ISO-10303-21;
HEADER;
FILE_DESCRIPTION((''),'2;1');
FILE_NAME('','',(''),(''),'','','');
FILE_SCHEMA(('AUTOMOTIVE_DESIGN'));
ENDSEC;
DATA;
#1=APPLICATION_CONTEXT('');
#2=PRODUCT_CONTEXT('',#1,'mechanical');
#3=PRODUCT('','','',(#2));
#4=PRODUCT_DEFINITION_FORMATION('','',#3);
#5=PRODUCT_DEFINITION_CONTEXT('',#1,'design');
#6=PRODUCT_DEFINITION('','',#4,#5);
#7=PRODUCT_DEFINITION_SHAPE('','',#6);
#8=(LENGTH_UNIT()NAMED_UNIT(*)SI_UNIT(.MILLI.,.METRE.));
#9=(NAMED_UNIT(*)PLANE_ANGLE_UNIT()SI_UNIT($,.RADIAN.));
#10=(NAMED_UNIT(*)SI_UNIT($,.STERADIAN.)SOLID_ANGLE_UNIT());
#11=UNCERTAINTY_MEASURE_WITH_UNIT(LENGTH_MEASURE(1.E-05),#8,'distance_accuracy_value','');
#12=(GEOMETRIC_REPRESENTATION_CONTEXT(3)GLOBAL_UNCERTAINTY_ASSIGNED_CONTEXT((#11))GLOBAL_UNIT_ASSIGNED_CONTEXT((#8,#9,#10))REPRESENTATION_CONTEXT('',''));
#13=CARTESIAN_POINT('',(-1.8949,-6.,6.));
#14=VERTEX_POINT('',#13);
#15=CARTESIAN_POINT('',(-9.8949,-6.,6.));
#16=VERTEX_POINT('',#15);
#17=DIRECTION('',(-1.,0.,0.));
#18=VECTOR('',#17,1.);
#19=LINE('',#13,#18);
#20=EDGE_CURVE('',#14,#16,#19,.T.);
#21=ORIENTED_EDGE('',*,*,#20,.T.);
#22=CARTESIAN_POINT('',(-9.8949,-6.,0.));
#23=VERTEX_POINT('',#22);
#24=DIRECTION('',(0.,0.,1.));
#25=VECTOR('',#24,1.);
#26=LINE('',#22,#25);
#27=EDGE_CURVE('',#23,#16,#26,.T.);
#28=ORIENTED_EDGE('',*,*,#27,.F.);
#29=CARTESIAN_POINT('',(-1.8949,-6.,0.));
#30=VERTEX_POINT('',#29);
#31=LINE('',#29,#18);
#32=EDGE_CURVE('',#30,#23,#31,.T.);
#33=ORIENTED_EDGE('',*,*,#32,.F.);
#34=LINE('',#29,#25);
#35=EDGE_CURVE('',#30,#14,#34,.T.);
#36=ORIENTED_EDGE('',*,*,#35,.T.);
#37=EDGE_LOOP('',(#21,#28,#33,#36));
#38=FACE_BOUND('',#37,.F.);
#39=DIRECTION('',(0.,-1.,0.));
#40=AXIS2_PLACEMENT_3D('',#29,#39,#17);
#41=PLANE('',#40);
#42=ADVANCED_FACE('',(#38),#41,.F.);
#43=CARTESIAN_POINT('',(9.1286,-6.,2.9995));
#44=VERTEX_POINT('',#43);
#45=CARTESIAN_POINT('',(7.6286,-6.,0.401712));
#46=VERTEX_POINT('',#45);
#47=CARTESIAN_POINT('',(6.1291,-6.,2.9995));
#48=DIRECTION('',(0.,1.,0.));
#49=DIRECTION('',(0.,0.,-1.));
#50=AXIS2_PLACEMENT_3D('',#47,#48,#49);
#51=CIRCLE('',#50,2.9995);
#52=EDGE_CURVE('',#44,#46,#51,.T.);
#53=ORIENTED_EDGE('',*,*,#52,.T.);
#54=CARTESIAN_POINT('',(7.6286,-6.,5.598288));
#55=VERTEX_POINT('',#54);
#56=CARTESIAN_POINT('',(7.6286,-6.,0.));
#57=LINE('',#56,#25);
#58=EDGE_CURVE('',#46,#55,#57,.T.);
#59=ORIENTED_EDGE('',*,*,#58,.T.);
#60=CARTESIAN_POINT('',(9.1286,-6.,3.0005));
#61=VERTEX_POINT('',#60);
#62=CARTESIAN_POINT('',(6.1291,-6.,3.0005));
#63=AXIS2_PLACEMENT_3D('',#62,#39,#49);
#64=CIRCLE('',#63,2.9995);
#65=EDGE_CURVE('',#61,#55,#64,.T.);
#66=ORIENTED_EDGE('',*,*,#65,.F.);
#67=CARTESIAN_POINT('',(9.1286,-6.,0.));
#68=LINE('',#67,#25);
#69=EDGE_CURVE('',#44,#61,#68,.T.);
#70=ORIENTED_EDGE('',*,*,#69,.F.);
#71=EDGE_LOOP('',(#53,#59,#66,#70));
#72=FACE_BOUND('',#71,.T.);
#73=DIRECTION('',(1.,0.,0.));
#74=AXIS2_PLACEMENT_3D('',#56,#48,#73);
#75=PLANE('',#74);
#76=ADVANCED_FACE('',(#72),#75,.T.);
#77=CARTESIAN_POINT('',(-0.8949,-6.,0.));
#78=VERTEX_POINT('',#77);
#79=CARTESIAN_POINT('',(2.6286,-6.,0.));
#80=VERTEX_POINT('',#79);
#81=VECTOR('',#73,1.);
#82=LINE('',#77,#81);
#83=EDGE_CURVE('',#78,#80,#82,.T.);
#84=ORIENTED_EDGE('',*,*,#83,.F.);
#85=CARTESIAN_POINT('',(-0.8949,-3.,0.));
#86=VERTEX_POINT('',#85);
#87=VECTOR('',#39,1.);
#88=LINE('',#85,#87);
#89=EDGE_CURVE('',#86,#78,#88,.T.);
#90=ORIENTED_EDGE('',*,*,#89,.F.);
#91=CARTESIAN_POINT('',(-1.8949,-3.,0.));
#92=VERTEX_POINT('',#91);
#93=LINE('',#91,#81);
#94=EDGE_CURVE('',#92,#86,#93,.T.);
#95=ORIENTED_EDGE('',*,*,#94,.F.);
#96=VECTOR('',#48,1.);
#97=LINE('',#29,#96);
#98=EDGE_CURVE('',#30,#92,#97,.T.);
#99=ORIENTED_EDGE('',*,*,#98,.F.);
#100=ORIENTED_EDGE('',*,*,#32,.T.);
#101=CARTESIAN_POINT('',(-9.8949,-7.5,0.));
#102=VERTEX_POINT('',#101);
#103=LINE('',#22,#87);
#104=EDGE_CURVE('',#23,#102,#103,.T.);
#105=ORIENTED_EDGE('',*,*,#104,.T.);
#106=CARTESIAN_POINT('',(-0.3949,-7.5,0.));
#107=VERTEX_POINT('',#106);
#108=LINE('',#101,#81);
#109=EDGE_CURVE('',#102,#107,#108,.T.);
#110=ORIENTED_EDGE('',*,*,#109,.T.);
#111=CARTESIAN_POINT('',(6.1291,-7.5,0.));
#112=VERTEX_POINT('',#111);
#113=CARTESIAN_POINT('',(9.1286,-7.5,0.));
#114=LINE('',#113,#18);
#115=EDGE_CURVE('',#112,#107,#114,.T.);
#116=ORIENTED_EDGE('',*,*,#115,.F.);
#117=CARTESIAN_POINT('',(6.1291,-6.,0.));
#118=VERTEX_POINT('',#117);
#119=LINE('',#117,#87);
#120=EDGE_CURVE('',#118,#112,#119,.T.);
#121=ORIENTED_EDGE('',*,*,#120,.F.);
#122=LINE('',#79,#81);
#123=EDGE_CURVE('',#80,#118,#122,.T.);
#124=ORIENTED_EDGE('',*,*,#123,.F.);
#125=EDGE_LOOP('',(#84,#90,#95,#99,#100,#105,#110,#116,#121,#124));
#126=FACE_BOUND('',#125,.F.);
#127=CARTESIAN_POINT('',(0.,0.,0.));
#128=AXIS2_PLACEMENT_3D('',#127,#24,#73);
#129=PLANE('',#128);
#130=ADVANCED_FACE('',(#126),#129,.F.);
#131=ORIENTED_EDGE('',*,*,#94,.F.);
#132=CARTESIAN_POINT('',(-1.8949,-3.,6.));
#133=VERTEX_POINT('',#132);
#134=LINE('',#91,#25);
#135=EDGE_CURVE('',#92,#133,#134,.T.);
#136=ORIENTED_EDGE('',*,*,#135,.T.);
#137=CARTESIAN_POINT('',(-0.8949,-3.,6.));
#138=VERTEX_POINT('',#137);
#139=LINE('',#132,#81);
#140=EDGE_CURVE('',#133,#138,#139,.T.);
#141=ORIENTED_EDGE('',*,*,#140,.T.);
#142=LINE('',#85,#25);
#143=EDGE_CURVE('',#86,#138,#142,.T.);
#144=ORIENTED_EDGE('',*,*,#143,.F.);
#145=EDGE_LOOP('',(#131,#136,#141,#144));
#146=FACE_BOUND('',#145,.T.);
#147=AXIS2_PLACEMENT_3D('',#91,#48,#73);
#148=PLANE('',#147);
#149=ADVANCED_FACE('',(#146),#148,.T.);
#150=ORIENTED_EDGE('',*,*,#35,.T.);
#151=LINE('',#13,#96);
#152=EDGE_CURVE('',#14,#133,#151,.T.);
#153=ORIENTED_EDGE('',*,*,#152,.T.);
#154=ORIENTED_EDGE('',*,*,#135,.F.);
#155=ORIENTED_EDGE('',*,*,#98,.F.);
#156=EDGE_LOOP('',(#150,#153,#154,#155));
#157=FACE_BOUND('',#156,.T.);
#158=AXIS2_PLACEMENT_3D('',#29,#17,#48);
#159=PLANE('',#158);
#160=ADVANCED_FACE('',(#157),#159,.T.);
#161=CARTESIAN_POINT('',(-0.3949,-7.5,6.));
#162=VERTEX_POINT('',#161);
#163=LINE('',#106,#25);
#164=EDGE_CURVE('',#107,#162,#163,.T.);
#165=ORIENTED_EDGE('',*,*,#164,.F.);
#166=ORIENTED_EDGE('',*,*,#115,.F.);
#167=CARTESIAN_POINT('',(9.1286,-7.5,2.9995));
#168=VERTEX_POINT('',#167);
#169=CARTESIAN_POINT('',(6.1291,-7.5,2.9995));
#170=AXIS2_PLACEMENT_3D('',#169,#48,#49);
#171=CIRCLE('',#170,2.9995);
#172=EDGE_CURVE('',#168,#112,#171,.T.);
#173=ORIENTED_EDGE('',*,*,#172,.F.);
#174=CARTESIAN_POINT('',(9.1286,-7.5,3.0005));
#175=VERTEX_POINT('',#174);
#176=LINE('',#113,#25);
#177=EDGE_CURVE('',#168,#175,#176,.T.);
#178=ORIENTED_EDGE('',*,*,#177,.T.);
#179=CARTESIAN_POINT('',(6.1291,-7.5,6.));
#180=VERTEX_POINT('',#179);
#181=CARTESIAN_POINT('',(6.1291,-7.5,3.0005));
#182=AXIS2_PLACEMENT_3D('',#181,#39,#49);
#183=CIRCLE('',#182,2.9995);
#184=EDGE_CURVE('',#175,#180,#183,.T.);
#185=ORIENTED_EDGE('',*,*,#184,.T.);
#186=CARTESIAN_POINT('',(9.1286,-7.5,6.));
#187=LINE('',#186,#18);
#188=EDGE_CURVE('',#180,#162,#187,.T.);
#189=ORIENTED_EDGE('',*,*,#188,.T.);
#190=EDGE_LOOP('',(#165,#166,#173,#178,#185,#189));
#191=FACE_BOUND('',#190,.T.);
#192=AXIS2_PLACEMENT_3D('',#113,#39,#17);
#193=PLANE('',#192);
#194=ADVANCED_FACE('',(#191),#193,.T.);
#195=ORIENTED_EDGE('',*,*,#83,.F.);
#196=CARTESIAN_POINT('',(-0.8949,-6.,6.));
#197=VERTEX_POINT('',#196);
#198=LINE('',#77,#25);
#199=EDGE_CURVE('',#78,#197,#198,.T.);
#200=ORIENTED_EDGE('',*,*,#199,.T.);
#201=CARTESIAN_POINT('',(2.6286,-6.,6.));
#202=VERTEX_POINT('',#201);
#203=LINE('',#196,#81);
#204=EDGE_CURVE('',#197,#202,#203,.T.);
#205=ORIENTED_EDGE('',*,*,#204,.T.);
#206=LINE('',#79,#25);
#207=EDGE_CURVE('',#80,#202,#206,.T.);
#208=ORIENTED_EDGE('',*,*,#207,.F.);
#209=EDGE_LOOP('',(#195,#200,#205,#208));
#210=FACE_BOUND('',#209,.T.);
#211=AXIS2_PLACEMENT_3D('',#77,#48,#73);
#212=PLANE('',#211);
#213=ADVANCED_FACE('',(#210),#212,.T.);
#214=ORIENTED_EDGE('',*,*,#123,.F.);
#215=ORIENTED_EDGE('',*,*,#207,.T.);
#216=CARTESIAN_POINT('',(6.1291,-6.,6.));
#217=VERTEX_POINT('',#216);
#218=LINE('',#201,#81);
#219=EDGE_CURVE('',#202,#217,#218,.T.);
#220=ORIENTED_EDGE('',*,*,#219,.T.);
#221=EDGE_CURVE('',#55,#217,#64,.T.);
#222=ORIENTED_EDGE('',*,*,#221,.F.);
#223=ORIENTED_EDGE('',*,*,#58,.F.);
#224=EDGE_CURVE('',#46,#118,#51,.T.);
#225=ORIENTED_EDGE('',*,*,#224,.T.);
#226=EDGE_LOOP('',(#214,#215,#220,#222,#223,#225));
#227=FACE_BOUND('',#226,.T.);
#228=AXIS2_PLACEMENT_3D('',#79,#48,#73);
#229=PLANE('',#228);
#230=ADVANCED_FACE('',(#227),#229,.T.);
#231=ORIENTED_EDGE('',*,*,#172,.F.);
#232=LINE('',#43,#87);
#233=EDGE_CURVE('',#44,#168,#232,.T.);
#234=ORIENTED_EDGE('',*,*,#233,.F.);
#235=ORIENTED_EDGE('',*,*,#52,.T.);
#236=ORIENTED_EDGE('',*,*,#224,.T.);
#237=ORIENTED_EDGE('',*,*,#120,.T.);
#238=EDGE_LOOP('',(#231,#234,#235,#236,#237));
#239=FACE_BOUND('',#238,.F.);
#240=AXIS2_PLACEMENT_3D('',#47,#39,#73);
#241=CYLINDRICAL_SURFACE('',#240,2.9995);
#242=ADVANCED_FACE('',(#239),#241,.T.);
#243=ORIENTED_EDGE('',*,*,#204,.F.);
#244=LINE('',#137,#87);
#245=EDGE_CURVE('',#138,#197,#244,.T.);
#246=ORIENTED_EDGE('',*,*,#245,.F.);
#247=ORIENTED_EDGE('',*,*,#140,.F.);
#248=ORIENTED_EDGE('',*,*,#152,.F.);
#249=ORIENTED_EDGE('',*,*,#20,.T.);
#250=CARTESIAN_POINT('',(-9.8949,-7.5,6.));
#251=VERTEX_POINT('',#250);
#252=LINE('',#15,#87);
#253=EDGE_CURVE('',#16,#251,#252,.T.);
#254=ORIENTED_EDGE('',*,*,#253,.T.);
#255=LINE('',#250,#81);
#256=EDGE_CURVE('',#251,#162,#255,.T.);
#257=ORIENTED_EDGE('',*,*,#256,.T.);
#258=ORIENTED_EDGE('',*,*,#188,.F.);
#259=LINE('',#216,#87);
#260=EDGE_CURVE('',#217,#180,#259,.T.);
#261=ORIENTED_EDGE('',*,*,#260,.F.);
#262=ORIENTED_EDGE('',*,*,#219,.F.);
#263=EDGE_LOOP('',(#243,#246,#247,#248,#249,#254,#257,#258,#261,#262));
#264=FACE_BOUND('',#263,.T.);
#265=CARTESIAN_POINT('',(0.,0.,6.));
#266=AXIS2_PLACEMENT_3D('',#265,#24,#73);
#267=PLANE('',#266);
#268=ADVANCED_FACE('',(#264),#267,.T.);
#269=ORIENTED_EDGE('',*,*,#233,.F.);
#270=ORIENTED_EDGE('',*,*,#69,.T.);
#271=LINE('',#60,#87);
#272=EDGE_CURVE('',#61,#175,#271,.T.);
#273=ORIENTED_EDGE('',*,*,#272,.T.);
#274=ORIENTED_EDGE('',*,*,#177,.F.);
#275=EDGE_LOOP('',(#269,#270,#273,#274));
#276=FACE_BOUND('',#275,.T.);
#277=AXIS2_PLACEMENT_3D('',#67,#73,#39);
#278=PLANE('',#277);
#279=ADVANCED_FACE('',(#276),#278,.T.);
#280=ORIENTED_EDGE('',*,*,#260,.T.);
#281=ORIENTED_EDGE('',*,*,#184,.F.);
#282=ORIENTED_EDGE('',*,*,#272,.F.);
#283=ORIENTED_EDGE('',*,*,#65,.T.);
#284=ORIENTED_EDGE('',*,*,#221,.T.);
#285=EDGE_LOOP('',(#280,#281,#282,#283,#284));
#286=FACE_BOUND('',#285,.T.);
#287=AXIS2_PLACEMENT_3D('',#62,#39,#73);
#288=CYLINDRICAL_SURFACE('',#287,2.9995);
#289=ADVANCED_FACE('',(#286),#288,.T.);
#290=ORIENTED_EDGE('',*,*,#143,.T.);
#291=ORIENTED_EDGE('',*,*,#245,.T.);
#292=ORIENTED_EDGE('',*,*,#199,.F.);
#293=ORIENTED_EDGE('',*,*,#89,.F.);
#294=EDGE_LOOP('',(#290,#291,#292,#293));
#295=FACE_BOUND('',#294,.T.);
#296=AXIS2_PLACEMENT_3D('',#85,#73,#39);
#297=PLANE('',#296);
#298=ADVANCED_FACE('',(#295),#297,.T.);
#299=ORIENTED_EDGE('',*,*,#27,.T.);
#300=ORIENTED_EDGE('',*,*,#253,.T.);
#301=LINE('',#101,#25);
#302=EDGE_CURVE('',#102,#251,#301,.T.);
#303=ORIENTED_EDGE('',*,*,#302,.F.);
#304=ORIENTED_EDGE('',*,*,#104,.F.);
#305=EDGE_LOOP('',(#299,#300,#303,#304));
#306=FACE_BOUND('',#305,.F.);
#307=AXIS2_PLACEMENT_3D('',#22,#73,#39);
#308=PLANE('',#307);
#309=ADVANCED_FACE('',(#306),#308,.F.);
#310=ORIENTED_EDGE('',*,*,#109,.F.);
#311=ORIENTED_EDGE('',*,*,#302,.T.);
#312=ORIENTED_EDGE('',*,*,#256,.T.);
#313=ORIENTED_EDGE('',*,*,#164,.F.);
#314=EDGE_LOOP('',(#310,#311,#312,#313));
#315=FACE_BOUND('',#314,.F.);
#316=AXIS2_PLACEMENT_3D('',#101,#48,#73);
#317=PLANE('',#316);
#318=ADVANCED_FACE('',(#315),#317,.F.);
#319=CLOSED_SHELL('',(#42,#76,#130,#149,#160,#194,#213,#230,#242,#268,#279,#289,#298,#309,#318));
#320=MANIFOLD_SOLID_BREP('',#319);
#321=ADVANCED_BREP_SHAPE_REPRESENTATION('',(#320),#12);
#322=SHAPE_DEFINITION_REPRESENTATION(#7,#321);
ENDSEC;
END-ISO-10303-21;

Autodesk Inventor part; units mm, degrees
ref_plane "YZ Plane" through (0, 0, 0) normal (1, 0, 0) x (0, 1, 0)
ref_plane "XZ Plane" through (0, 0, 0) normal (0, 1, 0) x (-1, 0, 0)
ref_plane "XY Plane" through (0, 0, 0) normal (0, 0, 1) x (1, 0, 0)
sketch "草圖1" plane through (0, 0, 0) normal (0, 0, 1) x (1, 0, 0)
  line L0 (-1.8649, 0) -> (-1.8649, -6) construction
  line L1 (-1.8649, -6) -> (-0.9249, -6) construction
  line L2 (-1.8649, 0) -> (-1.8649, -6) construction
  line L3 (-0.9249, 0) -> (0, 0) projected
  line L4 (-0.9249, 0) -> (-0.9249, -6) construction
  line L5 (2.6286, 0) -> (2.6286, -6)
  line L6 (2.6286, -6) -> (7.6286, -6) projected
  line L7 (7.6286, 0) -> (7.6286, -6)
  line L8 (-1.8949, -3) -> (-0.8949, -3)
  line L9 (-0.8949, -3) -> (-0.8949, -6)
  line L10 (-0.8949, -6) -> (9.1286, -6)
  line L11 (9.1286, -6) -> (9.1286, -7.5)
  line L12 (9.1286, -7.5) -> (-0.3949, -7.5)
  line L13 (-0.3949, -7.5) -> (-0.3949, -20.2) construction
  line L14 (-0.3949, -20.2) -> (-9.8949, -20.2) construction
  line L15 (-9.8949, -20.2) -> (-9.8949, -19)
  line L16 (-9.8949, -19) -> (-1.8949, -19) construction
  line L17 (-1.8949, -6) -> (-9.8949, -6)
  line L18 (-9.8949, -6) -> (-9.8949, -7.5)
  line L19 (-9.8949, -7.5) -> (-0.3949, -7.5)
  line L20 (-1.8949, -19) -> (-1.8949, -7.5) construction
  line L21 (-1.8949, -6) -> (-1.8949, -3)
  dimension "d0" = 1
  dimension "d2" = 1.5
  dimension "d3" = 16
  dimension "d4" = 1.5
  dimension "d6" = 8
  dimension "d7" = 1.2
  dimension "d11" = 3
extrude "擠出1" add sketch "草圖1" along normal blind 6
fillet "圓角1" radius 3 2 edges at (9.1286, -6.75, 6) (9.1286, -6.75, 0)
sketch "草圖2" plane through (-0.8949, -6, 6) normal (0, 1, 0) x (1, 0, 0)
  circle A0 centre (4.97, 3) radius 1.5 projected
  point P0 (0.8949, 6)
extrude "擠出2" [suppressed]
sketch "草圖3" plane through (-9.8949, -7.5, 0) normal (-1, 0, 0) x (0, 0, 1)
  line L0 (0, 1.5) -> (0, 0) projected
  line L1 (0, 0) -> (6, 0) projected
  line L2 (6, 1.5) -> (6, 0) projected
  line L3 (0, 1.5) -> (6, 1.5) projected
  line L4 (3, 0) -> (3, -6.212)
  line L5 (3, -6.212) -> (0.8685, -6.212)
  line L6 (0.8685, -6.212) -> (0.8685, -7.3106)
  line L7 (0.8685, -7.3106) -> (6, -7.3106)
  line L8 (6, -7.3106) -> (6, 0)
  point P0 (0, 7.5)
properties part number "j1 endstop block"
